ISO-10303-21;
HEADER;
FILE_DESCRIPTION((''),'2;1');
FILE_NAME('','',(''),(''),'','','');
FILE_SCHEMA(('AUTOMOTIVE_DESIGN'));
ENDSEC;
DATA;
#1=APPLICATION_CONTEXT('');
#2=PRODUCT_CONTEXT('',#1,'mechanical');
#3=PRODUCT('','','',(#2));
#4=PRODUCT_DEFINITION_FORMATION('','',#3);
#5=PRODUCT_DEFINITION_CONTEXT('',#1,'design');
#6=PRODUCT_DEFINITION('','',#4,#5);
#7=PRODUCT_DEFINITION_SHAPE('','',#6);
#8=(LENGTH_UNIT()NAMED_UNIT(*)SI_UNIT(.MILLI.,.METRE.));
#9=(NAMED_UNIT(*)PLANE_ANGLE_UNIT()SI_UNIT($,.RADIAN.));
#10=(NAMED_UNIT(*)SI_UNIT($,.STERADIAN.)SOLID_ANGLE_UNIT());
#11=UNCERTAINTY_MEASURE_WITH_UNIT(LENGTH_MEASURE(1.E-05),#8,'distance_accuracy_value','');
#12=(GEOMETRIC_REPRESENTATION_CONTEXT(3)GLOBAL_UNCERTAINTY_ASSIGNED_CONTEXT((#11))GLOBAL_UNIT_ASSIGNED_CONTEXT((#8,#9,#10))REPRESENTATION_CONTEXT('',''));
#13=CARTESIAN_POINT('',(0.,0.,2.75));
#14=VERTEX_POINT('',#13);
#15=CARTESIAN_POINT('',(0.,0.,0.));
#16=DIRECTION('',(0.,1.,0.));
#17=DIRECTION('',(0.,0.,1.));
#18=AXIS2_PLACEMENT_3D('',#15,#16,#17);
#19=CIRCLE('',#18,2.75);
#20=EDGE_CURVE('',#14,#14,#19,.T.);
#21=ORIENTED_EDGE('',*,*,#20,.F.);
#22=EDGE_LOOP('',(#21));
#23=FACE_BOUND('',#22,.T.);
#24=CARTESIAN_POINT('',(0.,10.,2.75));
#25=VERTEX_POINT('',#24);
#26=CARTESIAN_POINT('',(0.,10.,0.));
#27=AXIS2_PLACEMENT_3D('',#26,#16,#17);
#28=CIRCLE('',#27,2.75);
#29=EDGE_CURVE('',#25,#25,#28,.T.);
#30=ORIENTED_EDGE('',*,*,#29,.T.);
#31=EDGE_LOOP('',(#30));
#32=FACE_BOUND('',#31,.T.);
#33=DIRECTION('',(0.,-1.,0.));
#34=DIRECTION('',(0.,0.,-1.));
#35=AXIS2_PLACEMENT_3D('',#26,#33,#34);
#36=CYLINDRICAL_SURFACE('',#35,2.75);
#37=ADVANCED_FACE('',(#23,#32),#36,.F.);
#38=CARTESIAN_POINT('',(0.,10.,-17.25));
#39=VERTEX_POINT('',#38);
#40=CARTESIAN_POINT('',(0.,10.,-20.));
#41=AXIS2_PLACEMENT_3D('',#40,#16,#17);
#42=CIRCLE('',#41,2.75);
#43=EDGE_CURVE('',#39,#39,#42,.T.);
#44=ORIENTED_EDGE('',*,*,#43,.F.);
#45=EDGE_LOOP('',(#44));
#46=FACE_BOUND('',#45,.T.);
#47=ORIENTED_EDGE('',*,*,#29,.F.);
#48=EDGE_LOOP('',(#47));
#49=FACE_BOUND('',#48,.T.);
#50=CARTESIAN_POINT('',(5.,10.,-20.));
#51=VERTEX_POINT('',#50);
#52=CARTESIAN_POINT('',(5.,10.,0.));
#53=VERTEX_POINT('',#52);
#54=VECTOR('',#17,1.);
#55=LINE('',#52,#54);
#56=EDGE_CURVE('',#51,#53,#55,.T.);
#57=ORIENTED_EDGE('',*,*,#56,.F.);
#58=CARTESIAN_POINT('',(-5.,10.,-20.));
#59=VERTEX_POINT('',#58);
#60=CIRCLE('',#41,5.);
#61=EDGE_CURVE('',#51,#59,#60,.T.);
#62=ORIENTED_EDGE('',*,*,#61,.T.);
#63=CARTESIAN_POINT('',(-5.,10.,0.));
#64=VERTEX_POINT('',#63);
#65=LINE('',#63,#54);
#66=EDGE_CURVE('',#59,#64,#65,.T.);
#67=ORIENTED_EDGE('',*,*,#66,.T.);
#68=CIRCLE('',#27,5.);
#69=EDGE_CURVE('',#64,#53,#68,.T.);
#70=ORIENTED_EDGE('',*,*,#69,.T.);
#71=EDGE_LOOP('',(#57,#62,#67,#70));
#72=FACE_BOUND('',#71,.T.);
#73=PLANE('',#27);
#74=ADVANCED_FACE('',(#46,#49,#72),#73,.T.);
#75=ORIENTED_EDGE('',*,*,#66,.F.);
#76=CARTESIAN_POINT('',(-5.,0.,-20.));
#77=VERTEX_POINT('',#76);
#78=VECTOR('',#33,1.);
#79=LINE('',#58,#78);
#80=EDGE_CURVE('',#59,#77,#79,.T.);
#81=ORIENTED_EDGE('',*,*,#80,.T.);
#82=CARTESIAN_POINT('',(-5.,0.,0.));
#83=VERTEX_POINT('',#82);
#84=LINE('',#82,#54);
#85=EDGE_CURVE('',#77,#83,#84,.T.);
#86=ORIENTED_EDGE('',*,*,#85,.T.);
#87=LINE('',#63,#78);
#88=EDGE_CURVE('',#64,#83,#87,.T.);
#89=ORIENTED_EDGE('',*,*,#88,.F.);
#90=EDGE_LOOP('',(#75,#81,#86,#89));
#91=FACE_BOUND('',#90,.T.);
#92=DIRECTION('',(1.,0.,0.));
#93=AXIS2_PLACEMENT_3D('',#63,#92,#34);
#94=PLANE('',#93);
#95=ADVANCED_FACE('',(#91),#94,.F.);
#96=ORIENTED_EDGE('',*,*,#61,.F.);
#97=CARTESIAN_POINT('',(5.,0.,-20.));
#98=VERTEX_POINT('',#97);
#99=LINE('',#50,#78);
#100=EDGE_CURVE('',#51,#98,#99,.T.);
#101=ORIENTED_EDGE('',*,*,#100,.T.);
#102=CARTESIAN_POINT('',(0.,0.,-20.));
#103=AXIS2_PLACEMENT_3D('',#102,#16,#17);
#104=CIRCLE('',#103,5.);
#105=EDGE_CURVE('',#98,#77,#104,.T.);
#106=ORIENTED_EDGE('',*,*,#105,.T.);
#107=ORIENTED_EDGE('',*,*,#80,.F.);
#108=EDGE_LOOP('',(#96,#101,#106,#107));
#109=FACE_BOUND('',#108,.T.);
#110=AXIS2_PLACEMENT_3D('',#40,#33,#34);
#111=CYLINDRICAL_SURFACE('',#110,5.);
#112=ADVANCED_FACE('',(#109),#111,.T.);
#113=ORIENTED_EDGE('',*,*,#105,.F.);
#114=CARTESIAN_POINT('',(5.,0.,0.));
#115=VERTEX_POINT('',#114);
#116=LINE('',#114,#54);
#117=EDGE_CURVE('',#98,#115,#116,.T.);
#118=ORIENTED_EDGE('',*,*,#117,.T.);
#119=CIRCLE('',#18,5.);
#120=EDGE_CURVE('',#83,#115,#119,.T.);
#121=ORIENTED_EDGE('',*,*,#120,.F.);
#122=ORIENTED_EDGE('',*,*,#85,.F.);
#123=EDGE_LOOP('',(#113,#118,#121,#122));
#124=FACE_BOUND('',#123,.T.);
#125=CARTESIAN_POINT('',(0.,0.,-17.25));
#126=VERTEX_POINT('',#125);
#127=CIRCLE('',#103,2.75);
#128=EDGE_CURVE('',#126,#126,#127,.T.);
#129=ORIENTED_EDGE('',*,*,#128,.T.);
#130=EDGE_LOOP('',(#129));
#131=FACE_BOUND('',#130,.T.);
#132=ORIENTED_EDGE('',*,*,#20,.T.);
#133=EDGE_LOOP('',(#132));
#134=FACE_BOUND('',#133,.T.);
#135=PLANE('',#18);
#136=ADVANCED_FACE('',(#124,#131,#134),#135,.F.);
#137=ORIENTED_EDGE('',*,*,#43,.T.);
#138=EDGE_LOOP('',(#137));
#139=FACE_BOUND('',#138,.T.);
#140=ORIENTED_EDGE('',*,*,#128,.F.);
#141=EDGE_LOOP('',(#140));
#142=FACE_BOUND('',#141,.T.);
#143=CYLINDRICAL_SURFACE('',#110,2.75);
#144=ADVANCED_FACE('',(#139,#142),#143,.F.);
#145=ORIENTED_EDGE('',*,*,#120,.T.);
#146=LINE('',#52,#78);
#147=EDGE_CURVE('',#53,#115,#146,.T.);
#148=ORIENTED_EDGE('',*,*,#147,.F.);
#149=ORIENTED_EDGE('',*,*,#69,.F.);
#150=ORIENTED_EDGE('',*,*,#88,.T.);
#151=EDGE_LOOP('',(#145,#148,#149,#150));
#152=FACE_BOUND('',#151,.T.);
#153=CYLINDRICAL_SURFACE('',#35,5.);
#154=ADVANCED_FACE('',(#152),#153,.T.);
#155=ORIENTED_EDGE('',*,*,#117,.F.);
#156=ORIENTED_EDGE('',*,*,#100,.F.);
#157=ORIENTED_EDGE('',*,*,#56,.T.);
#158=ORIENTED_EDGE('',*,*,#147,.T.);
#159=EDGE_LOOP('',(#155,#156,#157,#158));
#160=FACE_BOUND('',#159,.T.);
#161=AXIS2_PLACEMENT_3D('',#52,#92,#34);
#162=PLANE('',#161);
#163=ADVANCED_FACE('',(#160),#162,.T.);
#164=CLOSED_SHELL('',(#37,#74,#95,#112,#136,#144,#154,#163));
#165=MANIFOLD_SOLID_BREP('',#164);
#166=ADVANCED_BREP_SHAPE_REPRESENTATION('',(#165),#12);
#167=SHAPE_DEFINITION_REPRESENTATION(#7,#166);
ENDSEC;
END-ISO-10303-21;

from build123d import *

# Parameters (mm, degrees)
SKETCH3_R           = 2.75
BOSS_EXTRUDE1_DEPTH = 10


with BuildPart() as part:
    # Sketch3 → Boss-Extrude1 (new body)
    with BuildSketch(Plane(origin=(0, 0, 0), x_dir=(1, 0, 0), z_dir=(0, 1, 0))):
        with BuildLine():
            ThreePointArc((-5, 0), (0, -5), (5, 0))
            Line((5, 0), (5, 20))
            ThreePointArc((5, 20), (0, 25), (-5, 20))
            Line((-5, 20), (-5, 0))
        make_face()
        Circle(SKETCH3_R, mode=Mode.SUBTRACT)
        with Locations((0, 20)):
            Circle(SKETCH3_R, mode=Mode.SUBTRACT)
    extrude(amount=BOSS_EXTRUDE1_DEPTH)


solid = part.part
